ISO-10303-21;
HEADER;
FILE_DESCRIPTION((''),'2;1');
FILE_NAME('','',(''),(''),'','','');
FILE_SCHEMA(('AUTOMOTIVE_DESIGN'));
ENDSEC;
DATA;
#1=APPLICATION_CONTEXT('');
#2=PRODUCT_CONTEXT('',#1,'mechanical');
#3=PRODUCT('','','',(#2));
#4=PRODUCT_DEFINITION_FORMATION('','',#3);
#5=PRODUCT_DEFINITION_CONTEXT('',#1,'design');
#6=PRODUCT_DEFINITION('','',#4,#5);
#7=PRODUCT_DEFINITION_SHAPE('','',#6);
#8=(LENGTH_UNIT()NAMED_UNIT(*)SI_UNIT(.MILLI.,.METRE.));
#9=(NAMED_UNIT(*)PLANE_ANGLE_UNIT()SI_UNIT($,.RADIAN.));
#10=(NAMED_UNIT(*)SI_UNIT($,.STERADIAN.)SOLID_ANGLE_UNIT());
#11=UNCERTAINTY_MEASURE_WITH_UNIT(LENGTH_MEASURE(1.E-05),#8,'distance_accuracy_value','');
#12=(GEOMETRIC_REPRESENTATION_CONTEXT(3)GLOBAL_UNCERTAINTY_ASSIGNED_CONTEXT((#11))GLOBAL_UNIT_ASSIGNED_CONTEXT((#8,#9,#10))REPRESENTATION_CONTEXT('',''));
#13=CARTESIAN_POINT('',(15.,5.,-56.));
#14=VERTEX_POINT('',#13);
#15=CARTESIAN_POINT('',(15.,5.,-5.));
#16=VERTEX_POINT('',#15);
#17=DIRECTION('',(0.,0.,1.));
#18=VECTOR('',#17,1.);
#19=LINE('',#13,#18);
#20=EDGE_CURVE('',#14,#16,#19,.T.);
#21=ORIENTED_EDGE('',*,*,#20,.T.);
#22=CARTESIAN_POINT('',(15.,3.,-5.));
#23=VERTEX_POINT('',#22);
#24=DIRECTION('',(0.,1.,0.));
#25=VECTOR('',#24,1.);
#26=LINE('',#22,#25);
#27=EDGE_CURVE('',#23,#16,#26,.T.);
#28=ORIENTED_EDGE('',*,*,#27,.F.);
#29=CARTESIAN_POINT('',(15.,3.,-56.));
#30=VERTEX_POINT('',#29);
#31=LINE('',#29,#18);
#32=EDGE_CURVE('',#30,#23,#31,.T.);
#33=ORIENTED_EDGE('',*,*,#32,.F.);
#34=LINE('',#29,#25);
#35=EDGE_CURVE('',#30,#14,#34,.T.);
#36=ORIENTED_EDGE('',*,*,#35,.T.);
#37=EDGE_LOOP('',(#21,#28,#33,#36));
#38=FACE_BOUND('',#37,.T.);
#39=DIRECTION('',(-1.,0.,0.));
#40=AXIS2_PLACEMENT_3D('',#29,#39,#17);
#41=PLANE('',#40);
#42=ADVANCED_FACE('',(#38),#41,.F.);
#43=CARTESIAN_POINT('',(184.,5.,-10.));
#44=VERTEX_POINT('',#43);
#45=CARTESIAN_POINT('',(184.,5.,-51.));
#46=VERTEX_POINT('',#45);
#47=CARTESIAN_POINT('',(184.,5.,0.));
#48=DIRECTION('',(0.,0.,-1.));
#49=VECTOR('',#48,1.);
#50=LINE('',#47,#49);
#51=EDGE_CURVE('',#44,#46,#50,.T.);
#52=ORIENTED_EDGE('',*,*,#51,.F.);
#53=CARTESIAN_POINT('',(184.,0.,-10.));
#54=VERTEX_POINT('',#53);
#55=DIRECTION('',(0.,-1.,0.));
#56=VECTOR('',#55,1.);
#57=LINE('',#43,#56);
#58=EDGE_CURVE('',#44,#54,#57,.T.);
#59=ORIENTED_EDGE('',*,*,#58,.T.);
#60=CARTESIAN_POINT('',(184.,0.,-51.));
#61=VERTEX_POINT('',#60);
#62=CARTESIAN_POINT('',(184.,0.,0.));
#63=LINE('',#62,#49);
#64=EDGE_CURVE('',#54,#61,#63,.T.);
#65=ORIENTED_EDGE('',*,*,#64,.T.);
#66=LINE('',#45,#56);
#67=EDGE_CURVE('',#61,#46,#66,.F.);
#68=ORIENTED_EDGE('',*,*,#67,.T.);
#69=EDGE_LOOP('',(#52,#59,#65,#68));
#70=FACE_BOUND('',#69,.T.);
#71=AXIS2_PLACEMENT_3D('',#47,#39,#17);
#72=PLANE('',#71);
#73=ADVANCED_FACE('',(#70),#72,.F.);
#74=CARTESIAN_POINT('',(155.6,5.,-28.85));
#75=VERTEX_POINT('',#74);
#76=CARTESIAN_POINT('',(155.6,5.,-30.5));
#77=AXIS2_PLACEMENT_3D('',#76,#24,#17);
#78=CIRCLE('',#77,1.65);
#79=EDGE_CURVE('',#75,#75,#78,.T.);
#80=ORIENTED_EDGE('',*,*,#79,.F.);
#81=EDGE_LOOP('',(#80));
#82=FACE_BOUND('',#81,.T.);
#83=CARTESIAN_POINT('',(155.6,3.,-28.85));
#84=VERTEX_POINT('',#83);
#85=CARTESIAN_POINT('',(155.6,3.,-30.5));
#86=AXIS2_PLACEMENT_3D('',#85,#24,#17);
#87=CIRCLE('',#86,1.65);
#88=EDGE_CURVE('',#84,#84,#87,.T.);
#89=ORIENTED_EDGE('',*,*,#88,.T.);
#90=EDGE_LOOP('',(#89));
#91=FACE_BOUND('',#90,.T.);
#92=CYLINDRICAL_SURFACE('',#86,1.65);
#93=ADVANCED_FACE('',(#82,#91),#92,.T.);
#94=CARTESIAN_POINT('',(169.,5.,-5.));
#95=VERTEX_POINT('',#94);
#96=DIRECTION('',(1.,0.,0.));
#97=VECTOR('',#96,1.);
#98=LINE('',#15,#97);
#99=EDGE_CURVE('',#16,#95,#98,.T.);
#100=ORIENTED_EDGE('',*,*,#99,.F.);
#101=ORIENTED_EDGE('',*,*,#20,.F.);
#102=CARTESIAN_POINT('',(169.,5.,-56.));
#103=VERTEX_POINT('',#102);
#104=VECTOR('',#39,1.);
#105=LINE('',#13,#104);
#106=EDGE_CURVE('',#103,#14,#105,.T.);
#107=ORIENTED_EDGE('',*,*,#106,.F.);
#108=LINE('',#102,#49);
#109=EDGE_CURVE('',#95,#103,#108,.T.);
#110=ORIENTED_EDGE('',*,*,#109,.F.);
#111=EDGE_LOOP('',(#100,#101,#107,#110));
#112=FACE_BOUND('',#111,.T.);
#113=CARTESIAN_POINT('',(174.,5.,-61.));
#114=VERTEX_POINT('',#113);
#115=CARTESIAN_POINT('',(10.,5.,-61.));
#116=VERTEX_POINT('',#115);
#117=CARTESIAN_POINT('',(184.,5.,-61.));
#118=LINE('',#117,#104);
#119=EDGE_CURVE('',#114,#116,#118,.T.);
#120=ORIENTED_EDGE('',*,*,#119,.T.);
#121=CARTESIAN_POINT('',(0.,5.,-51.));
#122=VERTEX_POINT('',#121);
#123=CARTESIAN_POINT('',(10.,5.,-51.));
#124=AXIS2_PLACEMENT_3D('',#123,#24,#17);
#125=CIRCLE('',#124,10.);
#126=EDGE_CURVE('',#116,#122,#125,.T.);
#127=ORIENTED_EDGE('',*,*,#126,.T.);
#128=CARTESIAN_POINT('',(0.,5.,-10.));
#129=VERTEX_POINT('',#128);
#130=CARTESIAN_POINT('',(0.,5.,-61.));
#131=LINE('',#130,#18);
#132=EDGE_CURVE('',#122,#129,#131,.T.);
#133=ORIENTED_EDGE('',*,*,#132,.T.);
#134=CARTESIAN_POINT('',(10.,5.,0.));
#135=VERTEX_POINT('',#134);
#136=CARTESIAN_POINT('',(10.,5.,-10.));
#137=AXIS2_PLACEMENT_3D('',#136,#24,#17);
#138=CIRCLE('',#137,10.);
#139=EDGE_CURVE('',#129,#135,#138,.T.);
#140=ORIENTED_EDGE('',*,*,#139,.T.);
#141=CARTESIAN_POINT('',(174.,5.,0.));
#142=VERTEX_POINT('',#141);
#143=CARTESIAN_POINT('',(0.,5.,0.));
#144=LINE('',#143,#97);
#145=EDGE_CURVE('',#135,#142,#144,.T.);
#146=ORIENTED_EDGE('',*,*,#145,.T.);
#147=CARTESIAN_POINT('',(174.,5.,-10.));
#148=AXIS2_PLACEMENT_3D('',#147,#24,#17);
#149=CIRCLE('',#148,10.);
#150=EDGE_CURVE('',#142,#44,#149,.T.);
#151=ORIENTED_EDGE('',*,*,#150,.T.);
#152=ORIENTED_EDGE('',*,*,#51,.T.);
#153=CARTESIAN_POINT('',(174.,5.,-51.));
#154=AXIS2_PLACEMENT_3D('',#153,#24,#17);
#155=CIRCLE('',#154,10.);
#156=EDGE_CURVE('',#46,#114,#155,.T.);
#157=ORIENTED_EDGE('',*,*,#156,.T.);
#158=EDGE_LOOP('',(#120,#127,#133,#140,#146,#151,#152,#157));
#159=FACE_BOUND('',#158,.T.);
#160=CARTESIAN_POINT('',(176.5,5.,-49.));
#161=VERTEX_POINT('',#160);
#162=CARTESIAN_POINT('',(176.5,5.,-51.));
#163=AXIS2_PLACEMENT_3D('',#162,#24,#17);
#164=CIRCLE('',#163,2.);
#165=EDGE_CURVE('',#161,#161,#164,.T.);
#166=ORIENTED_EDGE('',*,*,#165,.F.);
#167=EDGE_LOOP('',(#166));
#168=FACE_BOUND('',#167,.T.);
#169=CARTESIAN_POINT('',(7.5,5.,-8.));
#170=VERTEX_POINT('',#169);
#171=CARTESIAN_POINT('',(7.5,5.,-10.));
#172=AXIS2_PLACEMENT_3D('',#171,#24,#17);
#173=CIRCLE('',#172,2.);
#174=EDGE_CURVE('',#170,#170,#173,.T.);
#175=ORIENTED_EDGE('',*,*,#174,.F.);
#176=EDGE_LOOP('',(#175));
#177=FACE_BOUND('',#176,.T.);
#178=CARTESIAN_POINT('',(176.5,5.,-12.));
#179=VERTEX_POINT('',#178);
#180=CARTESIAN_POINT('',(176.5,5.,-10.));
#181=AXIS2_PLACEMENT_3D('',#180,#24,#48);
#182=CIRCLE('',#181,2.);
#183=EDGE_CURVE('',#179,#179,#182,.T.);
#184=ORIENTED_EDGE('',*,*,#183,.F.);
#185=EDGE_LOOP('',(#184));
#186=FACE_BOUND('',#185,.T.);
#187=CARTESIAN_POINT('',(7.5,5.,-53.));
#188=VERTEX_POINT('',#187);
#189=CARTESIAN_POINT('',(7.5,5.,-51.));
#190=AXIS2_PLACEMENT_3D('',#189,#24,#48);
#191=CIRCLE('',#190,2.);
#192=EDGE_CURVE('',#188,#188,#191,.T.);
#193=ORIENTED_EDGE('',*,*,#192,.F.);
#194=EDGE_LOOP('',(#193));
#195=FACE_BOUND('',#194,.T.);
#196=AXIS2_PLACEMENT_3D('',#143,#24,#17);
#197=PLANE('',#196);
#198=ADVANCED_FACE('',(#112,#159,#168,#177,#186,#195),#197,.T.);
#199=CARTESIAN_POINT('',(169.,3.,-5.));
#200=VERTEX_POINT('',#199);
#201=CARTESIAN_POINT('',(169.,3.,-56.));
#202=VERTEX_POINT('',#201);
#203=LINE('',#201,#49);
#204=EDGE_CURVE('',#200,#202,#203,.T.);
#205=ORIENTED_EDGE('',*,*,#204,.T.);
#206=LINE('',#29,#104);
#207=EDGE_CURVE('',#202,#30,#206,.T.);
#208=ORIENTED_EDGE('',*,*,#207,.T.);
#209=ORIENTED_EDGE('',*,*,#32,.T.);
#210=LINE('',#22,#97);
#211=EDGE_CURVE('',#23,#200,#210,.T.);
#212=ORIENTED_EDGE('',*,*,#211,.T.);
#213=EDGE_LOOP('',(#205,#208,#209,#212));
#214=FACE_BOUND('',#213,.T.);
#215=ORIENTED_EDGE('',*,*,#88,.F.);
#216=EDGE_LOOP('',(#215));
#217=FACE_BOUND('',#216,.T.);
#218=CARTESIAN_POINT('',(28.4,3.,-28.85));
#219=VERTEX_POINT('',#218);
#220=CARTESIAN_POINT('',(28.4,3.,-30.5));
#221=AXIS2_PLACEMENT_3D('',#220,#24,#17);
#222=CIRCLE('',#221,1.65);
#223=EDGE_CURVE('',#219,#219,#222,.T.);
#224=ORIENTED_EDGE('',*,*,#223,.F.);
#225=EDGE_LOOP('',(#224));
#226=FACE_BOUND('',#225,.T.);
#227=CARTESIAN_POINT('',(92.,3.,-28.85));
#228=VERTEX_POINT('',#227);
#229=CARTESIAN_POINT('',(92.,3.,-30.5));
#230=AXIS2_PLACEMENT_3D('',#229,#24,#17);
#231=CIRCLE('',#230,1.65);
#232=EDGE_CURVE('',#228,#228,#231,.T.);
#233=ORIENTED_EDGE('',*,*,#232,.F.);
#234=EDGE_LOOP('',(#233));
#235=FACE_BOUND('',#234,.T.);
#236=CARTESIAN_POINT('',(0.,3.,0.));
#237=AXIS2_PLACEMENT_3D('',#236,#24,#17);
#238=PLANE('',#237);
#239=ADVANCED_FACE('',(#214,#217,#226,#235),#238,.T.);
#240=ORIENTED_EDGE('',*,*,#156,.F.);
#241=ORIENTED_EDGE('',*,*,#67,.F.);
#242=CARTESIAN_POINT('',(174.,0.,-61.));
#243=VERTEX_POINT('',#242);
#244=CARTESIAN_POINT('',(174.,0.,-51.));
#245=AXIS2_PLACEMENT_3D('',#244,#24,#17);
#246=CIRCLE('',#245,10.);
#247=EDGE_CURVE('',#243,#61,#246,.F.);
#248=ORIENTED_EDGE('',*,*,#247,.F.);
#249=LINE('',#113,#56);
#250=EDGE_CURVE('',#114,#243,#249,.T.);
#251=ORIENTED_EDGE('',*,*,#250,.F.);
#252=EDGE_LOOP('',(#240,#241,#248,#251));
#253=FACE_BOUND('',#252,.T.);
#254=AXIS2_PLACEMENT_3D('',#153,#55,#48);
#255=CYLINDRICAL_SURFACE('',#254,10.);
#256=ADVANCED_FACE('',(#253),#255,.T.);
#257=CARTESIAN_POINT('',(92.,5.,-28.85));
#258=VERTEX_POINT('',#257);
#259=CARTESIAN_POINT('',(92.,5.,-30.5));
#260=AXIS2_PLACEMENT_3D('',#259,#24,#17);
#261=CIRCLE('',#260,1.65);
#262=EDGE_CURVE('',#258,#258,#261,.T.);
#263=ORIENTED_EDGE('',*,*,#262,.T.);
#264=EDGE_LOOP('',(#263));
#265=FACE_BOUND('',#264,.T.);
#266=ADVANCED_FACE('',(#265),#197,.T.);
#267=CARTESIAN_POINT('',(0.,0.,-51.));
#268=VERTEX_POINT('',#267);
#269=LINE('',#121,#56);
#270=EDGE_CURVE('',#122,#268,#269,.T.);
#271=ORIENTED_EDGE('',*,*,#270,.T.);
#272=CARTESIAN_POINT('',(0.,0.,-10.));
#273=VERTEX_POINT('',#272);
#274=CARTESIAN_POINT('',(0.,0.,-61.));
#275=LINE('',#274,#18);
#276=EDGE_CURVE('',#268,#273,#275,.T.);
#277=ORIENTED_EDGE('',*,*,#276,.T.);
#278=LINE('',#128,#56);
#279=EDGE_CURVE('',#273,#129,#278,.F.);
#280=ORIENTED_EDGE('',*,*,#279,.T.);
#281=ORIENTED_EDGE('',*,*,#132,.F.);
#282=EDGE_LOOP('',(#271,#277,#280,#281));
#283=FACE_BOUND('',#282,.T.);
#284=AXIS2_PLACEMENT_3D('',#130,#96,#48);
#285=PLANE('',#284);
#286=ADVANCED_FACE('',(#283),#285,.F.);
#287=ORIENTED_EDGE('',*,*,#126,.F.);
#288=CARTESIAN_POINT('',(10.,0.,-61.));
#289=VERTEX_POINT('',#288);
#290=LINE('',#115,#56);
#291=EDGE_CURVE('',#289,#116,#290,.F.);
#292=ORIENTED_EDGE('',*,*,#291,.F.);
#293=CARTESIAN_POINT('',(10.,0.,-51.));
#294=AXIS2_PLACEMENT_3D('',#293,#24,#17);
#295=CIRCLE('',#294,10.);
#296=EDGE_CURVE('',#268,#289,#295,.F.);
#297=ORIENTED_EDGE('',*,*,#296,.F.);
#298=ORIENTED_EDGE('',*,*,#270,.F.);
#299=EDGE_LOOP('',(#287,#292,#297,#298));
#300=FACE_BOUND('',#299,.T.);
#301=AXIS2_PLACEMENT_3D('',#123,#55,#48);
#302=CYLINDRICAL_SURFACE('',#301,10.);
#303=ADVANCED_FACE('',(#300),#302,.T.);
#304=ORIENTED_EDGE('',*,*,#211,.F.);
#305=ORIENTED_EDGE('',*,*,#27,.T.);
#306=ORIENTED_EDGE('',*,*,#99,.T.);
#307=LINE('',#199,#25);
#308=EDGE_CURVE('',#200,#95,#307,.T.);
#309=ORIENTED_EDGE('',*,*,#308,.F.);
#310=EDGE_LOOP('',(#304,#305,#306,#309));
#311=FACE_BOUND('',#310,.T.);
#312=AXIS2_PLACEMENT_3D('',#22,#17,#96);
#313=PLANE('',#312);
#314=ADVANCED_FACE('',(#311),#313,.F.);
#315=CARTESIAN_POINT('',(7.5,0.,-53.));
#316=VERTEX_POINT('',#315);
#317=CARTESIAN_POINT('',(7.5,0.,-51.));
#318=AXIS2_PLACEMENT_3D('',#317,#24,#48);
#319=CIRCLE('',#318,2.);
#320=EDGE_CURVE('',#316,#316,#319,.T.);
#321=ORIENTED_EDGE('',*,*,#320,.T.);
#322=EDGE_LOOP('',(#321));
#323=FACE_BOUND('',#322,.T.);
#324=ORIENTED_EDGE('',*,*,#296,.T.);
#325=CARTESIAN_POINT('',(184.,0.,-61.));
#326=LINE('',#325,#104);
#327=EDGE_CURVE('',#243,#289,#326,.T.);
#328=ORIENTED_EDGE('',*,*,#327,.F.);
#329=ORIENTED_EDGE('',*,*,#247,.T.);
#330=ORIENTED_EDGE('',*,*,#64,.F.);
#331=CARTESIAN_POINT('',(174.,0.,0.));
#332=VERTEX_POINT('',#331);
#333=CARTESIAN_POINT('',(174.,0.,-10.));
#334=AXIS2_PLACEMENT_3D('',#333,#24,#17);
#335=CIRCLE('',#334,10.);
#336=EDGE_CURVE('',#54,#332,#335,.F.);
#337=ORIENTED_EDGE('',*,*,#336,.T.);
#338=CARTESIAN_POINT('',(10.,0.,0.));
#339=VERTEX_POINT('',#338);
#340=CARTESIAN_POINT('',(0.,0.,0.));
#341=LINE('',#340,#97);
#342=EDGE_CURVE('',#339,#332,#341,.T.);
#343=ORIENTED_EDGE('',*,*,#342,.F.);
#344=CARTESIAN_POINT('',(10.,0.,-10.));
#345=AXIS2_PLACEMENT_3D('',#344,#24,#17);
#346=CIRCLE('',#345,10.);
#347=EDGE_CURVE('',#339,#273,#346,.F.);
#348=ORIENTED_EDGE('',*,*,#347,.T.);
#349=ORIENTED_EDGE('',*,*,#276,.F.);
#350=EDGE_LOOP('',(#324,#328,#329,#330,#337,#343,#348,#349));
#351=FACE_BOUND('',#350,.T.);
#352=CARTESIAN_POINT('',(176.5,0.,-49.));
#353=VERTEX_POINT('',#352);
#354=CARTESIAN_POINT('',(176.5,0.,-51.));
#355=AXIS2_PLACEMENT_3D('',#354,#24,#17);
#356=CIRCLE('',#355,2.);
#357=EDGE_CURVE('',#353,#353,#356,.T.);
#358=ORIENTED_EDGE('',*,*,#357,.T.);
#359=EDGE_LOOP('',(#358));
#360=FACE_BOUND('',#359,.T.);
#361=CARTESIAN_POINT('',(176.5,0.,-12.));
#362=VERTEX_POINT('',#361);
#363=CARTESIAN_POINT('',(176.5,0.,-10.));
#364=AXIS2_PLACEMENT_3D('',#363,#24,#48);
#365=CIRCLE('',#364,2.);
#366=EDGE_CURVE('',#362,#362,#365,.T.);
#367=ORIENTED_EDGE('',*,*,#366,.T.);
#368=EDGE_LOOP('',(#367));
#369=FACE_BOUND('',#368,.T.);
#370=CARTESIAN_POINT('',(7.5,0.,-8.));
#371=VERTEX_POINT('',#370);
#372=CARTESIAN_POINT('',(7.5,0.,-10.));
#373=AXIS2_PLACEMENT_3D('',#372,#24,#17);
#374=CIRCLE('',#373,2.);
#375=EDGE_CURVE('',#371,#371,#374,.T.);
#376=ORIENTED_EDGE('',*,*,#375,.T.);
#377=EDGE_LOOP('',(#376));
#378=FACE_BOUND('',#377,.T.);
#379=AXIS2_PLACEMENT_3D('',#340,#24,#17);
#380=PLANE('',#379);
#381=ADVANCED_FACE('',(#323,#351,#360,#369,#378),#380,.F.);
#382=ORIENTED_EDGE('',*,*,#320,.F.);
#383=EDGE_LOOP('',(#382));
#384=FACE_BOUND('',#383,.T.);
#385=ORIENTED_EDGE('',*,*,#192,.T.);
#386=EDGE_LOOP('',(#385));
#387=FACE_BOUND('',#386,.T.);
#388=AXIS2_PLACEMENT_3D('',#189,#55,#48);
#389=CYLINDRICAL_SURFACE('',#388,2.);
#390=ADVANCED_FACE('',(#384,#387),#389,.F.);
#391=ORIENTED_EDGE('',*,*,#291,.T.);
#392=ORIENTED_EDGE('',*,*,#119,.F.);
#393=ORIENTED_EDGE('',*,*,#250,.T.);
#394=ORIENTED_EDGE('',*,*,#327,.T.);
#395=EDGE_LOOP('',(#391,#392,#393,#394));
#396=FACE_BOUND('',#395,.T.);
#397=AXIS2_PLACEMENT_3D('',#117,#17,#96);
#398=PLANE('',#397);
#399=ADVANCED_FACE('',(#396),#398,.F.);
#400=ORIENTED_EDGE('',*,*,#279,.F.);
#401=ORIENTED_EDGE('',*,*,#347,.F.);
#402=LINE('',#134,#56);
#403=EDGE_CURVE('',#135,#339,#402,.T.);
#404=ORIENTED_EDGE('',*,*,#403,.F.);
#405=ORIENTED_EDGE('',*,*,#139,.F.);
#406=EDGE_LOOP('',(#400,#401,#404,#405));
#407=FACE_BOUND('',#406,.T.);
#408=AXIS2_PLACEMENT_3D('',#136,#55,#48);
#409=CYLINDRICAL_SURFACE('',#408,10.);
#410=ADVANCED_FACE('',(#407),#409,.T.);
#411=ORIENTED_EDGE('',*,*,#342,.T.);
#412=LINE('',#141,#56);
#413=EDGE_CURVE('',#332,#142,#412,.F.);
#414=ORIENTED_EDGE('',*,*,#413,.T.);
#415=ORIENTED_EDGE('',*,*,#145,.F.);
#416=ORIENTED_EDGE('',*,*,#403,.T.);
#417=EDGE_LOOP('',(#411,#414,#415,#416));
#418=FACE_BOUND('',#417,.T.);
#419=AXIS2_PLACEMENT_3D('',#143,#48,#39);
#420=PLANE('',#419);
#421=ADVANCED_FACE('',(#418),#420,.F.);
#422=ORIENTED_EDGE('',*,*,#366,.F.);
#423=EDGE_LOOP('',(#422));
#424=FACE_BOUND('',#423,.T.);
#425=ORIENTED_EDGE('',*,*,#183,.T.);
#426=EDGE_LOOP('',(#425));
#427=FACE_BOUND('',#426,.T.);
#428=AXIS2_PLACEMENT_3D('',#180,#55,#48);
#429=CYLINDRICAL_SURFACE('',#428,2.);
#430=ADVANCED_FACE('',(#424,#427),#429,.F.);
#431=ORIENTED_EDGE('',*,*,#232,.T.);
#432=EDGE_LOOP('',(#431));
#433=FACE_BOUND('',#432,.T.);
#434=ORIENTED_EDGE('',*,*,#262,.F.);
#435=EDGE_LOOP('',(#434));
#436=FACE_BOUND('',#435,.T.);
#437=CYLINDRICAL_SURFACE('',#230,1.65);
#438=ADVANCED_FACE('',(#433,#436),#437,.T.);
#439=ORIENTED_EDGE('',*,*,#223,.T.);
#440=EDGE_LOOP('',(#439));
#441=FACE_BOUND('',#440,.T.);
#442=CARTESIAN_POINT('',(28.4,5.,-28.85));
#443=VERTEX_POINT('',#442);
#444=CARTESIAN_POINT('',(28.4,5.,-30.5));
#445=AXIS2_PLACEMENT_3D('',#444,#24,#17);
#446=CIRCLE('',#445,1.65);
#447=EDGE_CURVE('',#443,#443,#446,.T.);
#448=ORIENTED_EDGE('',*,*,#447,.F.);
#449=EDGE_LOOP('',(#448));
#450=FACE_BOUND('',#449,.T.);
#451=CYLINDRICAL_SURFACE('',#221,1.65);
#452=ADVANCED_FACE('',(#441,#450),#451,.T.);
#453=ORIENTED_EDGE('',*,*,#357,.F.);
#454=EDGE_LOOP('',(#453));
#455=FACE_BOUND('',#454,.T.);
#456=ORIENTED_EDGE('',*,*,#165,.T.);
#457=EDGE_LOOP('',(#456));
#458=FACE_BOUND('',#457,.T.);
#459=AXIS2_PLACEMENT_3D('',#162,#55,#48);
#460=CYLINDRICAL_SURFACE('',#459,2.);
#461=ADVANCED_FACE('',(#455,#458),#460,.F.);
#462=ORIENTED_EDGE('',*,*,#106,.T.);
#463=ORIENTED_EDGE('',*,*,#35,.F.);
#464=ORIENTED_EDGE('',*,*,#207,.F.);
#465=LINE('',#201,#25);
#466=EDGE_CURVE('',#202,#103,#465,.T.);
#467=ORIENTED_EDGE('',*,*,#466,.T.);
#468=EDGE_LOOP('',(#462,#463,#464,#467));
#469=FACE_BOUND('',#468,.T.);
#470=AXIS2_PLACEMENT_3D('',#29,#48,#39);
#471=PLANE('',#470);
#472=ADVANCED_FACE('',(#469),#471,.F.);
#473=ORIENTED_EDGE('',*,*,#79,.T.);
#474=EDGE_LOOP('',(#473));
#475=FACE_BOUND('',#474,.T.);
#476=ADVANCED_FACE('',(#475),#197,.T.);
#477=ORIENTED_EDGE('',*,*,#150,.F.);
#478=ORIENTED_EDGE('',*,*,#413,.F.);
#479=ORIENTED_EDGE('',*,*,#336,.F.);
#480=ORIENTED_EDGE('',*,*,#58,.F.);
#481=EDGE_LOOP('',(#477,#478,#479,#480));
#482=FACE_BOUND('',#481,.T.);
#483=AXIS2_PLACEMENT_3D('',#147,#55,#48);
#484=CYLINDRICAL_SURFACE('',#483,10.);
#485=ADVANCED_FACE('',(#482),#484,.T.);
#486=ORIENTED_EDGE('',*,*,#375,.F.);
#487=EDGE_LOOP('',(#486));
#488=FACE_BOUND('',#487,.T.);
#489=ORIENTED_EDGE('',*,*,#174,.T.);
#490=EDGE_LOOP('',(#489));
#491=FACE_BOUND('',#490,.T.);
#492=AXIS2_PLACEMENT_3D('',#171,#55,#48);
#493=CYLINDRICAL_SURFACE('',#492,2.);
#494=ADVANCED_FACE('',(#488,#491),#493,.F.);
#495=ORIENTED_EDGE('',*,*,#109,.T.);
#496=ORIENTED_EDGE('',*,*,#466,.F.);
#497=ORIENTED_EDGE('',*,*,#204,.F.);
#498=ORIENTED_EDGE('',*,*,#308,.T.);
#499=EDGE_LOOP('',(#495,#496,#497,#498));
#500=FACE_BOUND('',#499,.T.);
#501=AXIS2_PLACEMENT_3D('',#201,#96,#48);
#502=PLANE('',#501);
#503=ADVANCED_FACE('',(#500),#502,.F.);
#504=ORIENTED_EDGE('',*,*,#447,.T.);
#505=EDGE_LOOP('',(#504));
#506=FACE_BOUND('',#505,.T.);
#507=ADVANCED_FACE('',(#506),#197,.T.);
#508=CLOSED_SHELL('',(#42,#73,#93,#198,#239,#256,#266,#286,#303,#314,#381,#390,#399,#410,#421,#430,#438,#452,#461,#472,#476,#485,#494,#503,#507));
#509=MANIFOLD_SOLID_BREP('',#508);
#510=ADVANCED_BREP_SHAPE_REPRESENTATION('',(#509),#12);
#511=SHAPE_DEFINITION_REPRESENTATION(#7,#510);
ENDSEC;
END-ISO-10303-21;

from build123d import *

# Parameters (mm, degrees)
SKETCH2_W           = 184
SKETCH2_H           = 61
SKETCH2_R           = 2
BOSS_EXTRUDE1_DEPTH = 5
SKETCH3_W           = 154
SKETCH3_H           = 51
SKETCH3_R           = 1.65
CUT_EXTRUDE1_DEPTH  = 2
FILLET1_R           = 10


with BuildPart() as part:
    # Sketch2 → Boss-Extrude1 (new body)
    with BuildSketch(Plane(origin=(0, 0, 0), x_dir=(1, 0, 0), z_dir=(0, 1, 0))):
        with Locations((92, 30.5)):
            Rectangle(SKETCH2_W, SKETCH2_H)
        with Locations(Location((7.5, 10, 0), (0, 0, 270))):
            Circle(SKETCH2_R, mode=Mode.SUBTRACT)
        with Locations(Location((176.5, 10, 0), (0, 0, 90))):
            Circle(SKETCH2_R, mode=Mode.SUBTRACT)
        with Locations(Location((176.5, 51, 0), (0, 0, 270))):
            Circle(SKETCH2_R, mode=Mode.SUBTRACT)
        with Locations(Location((7.5, 51, 0), (0, 0, 90))):
            Circle(SKETCH2_R, mode=Mode.SUBTRACT)
    extrude(amount=BOSS_EXTRUDE1_DEPTH)

    # Sketch3 → Cut-Extrude1 (cut)
    with BuildSketch(Plane(origin=(0, 5, 0), x_dir=(1, 0, 0), z_dir=(0, 1, 0))):
        with Locations((92, 30.5)):
            Rectangle(SKETCH3_W, SKETCH3_H)
        with Locations(Location((92, 30.5, 0), (0, 0, 270))):
            Circle(SKETCH3_R, mode=Mode.SUBTRACT)
        with Locations(Location((28.4, 30.5, 0), (0, 0, 270))):
            Circle(SKETCH3_R, mode=Mode.SUBTRACT)
        with Locations(Location((155.6, 30.5, 0), (0, 0, 270))):
            Circle(SKETCH3_R, mode=Mode.SUBTRACT)
    extrude(amount=-CUT_EXTRUDE1_DEPTH, mode=Mode.SUBTRACT)

    # Fillet1
    fillet1_edges = [part.edges().sort_by_distance(p)[0] for p in [
        (0, 2.5, -61),
        (184, 2.5, -61),
        (184, 2.5, 0),
        (0, 2.5, 0),
    ]]
    fillet(fillet1_edges, radius=FILLET1_R)


solid = part.part
